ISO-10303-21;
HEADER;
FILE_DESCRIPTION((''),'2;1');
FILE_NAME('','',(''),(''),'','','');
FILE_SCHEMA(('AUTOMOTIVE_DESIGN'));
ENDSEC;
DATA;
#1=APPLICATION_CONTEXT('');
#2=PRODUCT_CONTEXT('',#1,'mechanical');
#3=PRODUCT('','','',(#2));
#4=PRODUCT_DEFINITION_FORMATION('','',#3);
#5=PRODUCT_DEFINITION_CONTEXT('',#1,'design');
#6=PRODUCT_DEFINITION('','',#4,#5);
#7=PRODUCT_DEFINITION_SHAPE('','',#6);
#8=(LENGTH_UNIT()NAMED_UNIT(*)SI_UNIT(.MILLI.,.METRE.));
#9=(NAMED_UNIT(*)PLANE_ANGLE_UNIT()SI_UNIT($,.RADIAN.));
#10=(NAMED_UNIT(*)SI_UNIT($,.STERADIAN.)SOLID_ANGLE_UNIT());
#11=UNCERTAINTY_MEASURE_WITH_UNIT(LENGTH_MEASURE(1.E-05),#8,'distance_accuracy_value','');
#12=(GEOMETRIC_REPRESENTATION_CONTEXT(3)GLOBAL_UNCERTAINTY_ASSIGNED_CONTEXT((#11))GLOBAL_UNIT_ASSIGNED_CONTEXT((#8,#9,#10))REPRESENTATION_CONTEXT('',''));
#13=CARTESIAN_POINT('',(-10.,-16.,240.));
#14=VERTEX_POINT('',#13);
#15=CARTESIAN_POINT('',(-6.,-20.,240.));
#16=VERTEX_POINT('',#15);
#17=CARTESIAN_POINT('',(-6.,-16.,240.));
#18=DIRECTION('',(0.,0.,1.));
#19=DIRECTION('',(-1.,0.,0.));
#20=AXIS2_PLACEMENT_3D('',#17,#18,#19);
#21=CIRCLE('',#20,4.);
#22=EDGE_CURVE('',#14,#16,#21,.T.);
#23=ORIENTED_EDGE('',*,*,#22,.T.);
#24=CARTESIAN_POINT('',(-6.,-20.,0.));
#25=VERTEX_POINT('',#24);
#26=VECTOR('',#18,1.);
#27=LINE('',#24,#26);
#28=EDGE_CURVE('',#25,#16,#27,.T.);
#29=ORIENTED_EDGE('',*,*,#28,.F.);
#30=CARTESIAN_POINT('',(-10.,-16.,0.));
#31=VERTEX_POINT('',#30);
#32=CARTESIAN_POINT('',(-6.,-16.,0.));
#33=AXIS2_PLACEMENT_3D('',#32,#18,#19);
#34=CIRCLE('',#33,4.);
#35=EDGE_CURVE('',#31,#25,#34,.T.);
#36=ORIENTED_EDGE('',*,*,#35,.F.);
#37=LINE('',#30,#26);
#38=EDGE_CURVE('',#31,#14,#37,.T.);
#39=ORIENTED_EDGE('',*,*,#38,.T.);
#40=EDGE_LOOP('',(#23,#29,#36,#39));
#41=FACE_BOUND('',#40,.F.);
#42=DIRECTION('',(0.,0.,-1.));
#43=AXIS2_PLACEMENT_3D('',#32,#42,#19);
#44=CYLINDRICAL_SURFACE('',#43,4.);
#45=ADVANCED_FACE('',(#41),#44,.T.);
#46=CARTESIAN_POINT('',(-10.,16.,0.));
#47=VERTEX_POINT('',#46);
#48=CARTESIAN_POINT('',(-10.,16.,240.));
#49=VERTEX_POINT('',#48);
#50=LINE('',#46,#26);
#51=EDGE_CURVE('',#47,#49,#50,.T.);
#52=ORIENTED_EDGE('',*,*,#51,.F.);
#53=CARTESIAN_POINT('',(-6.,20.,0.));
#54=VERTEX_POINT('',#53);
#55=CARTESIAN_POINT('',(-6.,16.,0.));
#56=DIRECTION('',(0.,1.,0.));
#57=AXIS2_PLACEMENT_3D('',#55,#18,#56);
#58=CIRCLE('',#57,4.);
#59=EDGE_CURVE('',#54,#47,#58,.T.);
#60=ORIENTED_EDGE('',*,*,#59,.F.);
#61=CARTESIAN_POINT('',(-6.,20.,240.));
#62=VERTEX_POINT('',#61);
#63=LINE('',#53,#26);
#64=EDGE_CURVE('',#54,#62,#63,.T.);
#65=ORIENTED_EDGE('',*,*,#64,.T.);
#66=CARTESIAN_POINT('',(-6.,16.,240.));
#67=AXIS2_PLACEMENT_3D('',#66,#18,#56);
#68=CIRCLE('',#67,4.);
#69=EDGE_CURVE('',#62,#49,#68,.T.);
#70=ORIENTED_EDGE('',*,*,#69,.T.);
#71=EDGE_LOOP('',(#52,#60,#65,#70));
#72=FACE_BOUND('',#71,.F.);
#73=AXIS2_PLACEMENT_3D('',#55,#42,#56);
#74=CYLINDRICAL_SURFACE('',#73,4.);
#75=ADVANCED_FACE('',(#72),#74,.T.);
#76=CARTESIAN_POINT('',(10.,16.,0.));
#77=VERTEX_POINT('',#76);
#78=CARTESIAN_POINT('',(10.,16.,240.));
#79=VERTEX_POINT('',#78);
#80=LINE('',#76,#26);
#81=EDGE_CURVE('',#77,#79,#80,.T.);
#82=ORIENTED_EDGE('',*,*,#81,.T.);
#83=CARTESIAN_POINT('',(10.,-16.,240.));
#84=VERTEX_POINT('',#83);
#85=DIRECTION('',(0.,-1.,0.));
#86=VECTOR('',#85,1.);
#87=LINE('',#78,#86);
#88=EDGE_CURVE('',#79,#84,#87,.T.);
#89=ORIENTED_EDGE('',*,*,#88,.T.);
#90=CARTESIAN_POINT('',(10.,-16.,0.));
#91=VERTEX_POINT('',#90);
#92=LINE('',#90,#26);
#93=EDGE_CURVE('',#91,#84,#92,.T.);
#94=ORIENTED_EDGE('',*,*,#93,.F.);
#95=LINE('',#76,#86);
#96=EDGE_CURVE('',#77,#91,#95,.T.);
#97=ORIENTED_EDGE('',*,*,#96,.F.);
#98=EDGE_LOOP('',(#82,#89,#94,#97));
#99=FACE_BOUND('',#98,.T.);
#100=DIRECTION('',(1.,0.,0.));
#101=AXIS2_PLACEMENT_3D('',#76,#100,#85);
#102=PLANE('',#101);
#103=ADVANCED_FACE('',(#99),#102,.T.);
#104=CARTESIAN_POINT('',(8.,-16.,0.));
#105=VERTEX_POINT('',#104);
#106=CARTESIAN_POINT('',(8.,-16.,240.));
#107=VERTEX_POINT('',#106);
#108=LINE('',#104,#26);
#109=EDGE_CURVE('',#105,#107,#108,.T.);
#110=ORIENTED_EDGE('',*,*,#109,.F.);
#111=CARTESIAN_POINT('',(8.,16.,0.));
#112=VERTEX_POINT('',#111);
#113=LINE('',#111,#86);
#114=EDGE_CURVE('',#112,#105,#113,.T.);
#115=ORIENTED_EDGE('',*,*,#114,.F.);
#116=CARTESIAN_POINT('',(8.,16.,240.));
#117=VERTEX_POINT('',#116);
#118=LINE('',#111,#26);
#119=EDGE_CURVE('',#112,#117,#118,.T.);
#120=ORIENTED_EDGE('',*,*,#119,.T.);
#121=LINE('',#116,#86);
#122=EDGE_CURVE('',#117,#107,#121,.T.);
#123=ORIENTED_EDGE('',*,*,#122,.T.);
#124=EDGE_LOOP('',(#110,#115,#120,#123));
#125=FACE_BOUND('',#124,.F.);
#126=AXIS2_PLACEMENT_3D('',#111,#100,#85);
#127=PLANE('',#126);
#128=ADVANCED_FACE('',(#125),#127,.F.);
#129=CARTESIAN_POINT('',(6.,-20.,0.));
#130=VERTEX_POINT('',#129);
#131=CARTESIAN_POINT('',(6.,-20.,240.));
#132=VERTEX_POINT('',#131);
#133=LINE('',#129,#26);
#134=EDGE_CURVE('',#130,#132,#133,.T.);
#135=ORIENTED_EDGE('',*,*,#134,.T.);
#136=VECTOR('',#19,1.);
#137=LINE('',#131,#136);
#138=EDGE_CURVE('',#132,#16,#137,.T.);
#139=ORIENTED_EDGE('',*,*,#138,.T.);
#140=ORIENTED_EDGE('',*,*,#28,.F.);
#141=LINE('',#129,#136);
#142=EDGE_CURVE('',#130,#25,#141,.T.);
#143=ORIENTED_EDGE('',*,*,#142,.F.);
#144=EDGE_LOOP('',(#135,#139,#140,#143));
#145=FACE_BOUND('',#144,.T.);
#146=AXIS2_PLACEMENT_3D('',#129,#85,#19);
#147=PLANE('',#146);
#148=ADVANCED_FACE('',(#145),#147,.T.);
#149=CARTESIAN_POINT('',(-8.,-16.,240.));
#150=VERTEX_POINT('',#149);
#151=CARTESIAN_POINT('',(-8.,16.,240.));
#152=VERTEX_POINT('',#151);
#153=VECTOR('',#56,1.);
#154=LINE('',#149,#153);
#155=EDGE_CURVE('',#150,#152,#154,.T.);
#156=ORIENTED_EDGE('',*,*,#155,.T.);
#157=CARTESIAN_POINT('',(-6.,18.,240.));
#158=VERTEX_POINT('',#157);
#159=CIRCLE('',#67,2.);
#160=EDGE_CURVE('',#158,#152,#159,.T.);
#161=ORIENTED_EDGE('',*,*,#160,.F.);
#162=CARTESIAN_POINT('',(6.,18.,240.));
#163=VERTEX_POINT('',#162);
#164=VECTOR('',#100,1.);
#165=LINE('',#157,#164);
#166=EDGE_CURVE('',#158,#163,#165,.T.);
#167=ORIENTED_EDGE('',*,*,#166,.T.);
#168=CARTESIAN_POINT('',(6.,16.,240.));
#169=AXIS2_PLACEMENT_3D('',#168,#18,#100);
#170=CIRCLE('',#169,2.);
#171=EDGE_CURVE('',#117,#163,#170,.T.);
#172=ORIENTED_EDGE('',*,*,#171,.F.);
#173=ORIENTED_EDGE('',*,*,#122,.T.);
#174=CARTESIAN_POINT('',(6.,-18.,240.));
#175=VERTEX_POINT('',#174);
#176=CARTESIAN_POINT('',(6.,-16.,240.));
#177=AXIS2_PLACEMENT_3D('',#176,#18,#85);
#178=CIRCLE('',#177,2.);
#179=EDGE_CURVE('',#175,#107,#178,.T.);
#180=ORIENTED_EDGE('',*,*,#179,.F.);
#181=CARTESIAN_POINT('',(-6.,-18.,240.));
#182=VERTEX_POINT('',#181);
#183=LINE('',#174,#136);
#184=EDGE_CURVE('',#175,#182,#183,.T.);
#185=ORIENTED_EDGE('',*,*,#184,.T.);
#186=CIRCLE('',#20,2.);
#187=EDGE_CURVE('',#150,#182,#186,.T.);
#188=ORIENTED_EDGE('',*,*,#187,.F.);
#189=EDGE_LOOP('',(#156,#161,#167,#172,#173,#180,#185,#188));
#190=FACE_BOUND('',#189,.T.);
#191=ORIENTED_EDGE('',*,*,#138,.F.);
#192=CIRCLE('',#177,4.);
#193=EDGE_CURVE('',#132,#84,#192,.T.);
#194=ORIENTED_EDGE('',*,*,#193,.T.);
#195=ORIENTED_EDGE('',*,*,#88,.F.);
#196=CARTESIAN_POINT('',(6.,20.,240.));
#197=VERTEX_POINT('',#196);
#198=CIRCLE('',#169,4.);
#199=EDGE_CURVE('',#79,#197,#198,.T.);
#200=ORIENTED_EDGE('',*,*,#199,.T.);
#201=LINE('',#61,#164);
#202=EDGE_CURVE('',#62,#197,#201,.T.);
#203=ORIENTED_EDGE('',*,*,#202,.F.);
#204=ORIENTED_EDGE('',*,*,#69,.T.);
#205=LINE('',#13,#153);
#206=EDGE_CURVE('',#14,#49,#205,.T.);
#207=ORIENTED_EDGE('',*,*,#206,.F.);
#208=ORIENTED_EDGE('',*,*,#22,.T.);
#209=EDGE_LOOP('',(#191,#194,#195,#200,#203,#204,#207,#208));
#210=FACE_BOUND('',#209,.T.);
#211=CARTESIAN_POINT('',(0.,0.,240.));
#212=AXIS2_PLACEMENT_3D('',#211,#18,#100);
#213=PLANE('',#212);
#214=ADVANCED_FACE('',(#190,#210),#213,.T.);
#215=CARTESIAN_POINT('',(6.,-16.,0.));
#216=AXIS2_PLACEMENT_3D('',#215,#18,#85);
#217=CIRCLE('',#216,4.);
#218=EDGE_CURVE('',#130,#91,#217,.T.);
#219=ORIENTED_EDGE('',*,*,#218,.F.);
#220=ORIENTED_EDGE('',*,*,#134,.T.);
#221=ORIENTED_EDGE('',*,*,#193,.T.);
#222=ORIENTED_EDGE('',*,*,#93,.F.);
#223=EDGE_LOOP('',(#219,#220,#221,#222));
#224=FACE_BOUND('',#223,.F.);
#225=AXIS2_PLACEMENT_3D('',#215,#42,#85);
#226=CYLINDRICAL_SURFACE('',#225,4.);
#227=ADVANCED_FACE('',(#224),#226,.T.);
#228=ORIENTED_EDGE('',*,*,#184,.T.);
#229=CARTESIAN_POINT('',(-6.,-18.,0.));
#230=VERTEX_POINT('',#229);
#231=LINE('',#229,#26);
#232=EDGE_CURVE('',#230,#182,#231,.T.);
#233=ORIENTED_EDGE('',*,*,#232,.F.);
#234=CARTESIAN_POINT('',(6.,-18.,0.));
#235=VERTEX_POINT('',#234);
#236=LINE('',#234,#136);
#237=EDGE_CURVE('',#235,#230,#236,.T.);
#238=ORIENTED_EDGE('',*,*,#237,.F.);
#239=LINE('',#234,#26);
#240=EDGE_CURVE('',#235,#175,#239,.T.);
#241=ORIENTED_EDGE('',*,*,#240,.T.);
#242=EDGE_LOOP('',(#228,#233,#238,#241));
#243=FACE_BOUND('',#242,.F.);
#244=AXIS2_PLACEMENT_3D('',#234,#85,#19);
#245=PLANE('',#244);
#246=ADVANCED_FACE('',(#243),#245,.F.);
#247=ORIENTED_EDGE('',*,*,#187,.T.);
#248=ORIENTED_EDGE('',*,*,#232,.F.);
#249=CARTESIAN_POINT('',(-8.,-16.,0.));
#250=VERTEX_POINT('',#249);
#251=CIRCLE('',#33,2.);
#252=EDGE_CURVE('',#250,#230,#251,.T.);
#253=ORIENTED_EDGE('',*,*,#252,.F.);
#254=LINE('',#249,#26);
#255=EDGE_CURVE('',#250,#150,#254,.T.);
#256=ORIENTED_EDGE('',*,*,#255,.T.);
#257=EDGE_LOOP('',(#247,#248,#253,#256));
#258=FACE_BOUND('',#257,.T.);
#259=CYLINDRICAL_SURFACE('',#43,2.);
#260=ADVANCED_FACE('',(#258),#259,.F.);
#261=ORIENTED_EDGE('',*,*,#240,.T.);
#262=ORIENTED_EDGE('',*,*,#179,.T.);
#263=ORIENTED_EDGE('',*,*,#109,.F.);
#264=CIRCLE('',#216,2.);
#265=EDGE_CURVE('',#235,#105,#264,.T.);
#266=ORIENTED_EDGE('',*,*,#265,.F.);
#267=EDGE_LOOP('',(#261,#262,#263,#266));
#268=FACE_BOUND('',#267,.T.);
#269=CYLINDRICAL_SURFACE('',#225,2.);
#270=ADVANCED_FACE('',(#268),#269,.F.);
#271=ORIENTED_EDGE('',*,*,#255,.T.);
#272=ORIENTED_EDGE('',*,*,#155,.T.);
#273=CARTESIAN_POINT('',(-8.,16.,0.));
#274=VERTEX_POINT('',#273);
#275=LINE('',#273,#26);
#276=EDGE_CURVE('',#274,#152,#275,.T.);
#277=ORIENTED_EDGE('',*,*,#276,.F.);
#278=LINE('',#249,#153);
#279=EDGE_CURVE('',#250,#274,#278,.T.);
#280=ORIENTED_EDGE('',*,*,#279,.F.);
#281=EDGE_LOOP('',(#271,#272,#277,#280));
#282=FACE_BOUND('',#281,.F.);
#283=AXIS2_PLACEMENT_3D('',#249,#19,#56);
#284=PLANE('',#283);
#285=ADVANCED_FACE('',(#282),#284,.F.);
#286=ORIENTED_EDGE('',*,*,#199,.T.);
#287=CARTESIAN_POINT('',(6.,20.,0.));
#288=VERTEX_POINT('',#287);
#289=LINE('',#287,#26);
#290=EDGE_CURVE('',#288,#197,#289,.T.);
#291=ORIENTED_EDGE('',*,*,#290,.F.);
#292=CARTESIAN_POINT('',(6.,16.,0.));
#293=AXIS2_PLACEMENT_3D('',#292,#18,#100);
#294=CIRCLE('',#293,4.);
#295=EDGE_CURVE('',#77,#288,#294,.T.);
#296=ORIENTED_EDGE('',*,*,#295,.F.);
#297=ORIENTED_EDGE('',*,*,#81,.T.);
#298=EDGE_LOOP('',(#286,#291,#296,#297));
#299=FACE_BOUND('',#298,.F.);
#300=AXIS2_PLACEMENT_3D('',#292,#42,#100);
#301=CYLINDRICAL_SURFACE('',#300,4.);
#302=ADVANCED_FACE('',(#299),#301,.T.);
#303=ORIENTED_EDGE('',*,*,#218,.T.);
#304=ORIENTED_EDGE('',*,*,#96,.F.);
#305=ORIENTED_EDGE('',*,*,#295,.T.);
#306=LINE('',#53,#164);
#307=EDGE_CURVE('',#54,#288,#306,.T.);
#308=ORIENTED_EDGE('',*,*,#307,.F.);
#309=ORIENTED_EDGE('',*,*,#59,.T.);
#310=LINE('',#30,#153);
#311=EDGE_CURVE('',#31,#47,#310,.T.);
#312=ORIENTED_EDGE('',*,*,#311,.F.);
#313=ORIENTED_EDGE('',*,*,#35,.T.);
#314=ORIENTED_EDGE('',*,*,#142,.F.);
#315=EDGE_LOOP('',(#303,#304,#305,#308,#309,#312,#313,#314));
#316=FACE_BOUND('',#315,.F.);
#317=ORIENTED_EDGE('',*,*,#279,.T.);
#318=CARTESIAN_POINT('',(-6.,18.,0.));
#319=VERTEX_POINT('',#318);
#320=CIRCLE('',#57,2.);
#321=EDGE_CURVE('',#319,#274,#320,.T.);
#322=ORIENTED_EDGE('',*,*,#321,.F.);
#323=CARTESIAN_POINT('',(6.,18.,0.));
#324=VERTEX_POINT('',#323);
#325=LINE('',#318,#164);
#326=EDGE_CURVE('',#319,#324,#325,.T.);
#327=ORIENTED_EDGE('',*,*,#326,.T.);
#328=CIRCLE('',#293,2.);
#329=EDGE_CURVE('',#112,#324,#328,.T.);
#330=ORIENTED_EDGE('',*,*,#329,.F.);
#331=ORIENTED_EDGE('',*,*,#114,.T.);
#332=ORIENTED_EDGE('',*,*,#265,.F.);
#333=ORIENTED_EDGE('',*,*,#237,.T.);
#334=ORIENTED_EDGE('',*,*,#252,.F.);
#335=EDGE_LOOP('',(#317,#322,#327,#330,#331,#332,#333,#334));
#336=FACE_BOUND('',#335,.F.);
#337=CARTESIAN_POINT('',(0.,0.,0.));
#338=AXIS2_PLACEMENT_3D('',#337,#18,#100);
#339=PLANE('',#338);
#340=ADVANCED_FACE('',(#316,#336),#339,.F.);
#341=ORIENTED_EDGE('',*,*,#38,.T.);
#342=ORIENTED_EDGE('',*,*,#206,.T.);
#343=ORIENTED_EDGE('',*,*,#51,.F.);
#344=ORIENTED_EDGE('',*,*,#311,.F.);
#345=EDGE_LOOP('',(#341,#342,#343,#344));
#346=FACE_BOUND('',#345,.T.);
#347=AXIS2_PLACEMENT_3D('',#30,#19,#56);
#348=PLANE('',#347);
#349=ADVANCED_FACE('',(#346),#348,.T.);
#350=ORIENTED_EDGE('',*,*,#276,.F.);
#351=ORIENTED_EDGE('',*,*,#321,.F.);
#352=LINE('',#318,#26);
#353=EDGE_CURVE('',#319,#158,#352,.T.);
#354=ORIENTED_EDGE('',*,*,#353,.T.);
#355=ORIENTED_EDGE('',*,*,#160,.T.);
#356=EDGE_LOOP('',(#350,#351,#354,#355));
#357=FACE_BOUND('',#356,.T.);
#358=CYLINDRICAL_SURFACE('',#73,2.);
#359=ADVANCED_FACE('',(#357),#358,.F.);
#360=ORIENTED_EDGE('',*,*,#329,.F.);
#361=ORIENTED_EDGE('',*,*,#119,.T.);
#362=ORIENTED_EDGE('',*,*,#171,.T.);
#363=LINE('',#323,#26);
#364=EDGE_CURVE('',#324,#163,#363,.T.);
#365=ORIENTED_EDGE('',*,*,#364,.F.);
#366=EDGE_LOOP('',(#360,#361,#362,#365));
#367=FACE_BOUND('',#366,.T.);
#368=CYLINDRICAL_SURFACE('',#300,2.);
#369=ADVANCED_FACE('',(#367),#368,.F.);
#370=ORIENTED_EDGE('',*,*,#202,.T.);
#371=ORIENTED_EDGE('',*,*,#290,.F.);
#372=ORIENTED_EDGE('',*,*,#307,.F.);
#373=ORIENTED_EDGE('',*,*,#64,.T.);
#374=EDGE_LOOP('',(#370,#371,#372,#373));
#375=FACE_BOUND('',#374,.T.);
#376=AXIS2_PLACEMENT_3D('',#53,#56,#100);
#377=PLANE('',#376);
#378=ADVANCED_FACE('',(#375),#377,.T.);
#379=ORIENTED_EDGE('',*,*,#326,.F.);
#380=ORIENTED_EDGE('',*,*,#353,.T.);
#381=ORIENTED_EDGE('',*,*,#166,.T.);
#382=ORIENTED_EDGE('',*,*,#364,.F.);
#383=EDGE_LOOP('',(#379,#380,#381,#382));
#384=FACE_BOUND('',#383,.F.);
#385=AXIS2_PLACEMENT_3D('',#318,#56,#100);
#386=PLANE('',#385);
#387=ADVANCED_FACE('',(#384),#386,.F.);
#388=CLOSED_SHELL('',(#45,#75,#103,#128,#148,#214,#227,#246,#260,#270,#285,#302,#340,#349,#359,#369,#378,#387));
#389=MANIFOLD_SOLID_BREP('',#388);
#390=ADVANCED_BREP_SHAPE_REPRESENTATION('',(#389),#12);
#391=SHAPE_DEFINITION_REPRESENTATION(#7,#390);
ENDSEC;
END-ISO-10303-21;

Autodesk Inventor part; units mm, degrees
ref_plane "YZ Plane" through (0, 0, 0) normal (1, 0, 0) x (0, 1, 0)
ref_plane "Start Plane" through (0, 0, 0) normal (0, 0, 1) x (1, 0, 0)
ref_plane "End Plane" through (0, 0, 240) normal (0, 0, 1) x (1, 0, 0)
sketch "Sketch" plane through (0, 0, 0) normal (0, 0, 1) x (1, 0, 0)
  line L0 (-10, -16) -> (-10, 16)
  line L1 (-6, 20) -> (6, 20)
  line L2 (10, 16) -> (10, -16)
  line L3 (6, -20) -> (-6, -20)
  arc A0 (-10, -16) -> (-6, -20) centre (-6, -16) ccw
  arc A1 (10, 16) -> (6, 20) centre (6, 16) ccw
  arc A2 (-6, 20) -> (-10, 16) centre (-6, 16) ccw
  arc A3 (6, -20) -> (10, -16) centre (6, -16) ccw
  arc A4 (-6, 18) -> (-8, 16) centre (-6, 16) ccw
  line L4 (-6, 18) -> (6, 18)
  arc A5 (8, 16) -> (6, 18) centre (6, 16) ccw
  line L5 (8, 16) -> (8, -16)
  arc A6 (6, -18) -> (8, -16) centre (6, -16) ccw
  line L6 (6, -18) -> (-6, -18)
  arc A7 (-8, -16) -> (-6, -18) centre (-6, -16) ccw
  line L7 (-8, -16) -> (-8, 16)
  line L8 (0, 29.1598) -> (0, -29.1598) construction
  line L9 (-15.1598, 0) -> (15.1598, 0) construction
  dimension "d7" = 4
  dimension "d9" = 20
  dimension "d11" = 40
  dimension "d12" = 2
  dimension "d15" = 10
  dimension "d16" = 20
extrude "Body" add sketch "Sketch" along normal up to surface (240 mm away) from surface at 0
sketch "Sketch3" plane through (0, 0, 0) normal (0, 0, 1) x (1, 0, 0)
  line L0 (0, 0) -> (10, 0)
ref_plane "Work Plane3" through (0, 0, 0) normal (0, -1, 0) x (1, 0, 0)
sketch "Sketch4" plane through (0, 0, 0) normal (0, -1, 0) x (1, 0, 0)
  line L0 (-2, 0) -> (12, 0)
  line L1 (-2, 240) -> (12, 240)
  dimension "d18" = 240
equation "\"d7\" = G_IR"
equation "\"d9\" = G_W"
equation "\"d11\" = G_H"
equation "\"d12\" = G_T"
equation "\"d15\" = 0.5 * d9"
equation "\"d16\" = 0.5 * d11"
equation "\"d3\" = G_L"
equation "\"G_W\" = 20"
equation "\"G_H\" = 40"
equation "\"G_T\" = 2"
equation "\"G_IR\" = 4"
equation "\"G_L\" = d18"
equation "\"G_OFFSET_START\" = 0"
equation "\"G_OFFSET_END\" = 0"
properties part number "ISO 10799-2 - 40x20x2 - 240" material "Steel, Mild"
